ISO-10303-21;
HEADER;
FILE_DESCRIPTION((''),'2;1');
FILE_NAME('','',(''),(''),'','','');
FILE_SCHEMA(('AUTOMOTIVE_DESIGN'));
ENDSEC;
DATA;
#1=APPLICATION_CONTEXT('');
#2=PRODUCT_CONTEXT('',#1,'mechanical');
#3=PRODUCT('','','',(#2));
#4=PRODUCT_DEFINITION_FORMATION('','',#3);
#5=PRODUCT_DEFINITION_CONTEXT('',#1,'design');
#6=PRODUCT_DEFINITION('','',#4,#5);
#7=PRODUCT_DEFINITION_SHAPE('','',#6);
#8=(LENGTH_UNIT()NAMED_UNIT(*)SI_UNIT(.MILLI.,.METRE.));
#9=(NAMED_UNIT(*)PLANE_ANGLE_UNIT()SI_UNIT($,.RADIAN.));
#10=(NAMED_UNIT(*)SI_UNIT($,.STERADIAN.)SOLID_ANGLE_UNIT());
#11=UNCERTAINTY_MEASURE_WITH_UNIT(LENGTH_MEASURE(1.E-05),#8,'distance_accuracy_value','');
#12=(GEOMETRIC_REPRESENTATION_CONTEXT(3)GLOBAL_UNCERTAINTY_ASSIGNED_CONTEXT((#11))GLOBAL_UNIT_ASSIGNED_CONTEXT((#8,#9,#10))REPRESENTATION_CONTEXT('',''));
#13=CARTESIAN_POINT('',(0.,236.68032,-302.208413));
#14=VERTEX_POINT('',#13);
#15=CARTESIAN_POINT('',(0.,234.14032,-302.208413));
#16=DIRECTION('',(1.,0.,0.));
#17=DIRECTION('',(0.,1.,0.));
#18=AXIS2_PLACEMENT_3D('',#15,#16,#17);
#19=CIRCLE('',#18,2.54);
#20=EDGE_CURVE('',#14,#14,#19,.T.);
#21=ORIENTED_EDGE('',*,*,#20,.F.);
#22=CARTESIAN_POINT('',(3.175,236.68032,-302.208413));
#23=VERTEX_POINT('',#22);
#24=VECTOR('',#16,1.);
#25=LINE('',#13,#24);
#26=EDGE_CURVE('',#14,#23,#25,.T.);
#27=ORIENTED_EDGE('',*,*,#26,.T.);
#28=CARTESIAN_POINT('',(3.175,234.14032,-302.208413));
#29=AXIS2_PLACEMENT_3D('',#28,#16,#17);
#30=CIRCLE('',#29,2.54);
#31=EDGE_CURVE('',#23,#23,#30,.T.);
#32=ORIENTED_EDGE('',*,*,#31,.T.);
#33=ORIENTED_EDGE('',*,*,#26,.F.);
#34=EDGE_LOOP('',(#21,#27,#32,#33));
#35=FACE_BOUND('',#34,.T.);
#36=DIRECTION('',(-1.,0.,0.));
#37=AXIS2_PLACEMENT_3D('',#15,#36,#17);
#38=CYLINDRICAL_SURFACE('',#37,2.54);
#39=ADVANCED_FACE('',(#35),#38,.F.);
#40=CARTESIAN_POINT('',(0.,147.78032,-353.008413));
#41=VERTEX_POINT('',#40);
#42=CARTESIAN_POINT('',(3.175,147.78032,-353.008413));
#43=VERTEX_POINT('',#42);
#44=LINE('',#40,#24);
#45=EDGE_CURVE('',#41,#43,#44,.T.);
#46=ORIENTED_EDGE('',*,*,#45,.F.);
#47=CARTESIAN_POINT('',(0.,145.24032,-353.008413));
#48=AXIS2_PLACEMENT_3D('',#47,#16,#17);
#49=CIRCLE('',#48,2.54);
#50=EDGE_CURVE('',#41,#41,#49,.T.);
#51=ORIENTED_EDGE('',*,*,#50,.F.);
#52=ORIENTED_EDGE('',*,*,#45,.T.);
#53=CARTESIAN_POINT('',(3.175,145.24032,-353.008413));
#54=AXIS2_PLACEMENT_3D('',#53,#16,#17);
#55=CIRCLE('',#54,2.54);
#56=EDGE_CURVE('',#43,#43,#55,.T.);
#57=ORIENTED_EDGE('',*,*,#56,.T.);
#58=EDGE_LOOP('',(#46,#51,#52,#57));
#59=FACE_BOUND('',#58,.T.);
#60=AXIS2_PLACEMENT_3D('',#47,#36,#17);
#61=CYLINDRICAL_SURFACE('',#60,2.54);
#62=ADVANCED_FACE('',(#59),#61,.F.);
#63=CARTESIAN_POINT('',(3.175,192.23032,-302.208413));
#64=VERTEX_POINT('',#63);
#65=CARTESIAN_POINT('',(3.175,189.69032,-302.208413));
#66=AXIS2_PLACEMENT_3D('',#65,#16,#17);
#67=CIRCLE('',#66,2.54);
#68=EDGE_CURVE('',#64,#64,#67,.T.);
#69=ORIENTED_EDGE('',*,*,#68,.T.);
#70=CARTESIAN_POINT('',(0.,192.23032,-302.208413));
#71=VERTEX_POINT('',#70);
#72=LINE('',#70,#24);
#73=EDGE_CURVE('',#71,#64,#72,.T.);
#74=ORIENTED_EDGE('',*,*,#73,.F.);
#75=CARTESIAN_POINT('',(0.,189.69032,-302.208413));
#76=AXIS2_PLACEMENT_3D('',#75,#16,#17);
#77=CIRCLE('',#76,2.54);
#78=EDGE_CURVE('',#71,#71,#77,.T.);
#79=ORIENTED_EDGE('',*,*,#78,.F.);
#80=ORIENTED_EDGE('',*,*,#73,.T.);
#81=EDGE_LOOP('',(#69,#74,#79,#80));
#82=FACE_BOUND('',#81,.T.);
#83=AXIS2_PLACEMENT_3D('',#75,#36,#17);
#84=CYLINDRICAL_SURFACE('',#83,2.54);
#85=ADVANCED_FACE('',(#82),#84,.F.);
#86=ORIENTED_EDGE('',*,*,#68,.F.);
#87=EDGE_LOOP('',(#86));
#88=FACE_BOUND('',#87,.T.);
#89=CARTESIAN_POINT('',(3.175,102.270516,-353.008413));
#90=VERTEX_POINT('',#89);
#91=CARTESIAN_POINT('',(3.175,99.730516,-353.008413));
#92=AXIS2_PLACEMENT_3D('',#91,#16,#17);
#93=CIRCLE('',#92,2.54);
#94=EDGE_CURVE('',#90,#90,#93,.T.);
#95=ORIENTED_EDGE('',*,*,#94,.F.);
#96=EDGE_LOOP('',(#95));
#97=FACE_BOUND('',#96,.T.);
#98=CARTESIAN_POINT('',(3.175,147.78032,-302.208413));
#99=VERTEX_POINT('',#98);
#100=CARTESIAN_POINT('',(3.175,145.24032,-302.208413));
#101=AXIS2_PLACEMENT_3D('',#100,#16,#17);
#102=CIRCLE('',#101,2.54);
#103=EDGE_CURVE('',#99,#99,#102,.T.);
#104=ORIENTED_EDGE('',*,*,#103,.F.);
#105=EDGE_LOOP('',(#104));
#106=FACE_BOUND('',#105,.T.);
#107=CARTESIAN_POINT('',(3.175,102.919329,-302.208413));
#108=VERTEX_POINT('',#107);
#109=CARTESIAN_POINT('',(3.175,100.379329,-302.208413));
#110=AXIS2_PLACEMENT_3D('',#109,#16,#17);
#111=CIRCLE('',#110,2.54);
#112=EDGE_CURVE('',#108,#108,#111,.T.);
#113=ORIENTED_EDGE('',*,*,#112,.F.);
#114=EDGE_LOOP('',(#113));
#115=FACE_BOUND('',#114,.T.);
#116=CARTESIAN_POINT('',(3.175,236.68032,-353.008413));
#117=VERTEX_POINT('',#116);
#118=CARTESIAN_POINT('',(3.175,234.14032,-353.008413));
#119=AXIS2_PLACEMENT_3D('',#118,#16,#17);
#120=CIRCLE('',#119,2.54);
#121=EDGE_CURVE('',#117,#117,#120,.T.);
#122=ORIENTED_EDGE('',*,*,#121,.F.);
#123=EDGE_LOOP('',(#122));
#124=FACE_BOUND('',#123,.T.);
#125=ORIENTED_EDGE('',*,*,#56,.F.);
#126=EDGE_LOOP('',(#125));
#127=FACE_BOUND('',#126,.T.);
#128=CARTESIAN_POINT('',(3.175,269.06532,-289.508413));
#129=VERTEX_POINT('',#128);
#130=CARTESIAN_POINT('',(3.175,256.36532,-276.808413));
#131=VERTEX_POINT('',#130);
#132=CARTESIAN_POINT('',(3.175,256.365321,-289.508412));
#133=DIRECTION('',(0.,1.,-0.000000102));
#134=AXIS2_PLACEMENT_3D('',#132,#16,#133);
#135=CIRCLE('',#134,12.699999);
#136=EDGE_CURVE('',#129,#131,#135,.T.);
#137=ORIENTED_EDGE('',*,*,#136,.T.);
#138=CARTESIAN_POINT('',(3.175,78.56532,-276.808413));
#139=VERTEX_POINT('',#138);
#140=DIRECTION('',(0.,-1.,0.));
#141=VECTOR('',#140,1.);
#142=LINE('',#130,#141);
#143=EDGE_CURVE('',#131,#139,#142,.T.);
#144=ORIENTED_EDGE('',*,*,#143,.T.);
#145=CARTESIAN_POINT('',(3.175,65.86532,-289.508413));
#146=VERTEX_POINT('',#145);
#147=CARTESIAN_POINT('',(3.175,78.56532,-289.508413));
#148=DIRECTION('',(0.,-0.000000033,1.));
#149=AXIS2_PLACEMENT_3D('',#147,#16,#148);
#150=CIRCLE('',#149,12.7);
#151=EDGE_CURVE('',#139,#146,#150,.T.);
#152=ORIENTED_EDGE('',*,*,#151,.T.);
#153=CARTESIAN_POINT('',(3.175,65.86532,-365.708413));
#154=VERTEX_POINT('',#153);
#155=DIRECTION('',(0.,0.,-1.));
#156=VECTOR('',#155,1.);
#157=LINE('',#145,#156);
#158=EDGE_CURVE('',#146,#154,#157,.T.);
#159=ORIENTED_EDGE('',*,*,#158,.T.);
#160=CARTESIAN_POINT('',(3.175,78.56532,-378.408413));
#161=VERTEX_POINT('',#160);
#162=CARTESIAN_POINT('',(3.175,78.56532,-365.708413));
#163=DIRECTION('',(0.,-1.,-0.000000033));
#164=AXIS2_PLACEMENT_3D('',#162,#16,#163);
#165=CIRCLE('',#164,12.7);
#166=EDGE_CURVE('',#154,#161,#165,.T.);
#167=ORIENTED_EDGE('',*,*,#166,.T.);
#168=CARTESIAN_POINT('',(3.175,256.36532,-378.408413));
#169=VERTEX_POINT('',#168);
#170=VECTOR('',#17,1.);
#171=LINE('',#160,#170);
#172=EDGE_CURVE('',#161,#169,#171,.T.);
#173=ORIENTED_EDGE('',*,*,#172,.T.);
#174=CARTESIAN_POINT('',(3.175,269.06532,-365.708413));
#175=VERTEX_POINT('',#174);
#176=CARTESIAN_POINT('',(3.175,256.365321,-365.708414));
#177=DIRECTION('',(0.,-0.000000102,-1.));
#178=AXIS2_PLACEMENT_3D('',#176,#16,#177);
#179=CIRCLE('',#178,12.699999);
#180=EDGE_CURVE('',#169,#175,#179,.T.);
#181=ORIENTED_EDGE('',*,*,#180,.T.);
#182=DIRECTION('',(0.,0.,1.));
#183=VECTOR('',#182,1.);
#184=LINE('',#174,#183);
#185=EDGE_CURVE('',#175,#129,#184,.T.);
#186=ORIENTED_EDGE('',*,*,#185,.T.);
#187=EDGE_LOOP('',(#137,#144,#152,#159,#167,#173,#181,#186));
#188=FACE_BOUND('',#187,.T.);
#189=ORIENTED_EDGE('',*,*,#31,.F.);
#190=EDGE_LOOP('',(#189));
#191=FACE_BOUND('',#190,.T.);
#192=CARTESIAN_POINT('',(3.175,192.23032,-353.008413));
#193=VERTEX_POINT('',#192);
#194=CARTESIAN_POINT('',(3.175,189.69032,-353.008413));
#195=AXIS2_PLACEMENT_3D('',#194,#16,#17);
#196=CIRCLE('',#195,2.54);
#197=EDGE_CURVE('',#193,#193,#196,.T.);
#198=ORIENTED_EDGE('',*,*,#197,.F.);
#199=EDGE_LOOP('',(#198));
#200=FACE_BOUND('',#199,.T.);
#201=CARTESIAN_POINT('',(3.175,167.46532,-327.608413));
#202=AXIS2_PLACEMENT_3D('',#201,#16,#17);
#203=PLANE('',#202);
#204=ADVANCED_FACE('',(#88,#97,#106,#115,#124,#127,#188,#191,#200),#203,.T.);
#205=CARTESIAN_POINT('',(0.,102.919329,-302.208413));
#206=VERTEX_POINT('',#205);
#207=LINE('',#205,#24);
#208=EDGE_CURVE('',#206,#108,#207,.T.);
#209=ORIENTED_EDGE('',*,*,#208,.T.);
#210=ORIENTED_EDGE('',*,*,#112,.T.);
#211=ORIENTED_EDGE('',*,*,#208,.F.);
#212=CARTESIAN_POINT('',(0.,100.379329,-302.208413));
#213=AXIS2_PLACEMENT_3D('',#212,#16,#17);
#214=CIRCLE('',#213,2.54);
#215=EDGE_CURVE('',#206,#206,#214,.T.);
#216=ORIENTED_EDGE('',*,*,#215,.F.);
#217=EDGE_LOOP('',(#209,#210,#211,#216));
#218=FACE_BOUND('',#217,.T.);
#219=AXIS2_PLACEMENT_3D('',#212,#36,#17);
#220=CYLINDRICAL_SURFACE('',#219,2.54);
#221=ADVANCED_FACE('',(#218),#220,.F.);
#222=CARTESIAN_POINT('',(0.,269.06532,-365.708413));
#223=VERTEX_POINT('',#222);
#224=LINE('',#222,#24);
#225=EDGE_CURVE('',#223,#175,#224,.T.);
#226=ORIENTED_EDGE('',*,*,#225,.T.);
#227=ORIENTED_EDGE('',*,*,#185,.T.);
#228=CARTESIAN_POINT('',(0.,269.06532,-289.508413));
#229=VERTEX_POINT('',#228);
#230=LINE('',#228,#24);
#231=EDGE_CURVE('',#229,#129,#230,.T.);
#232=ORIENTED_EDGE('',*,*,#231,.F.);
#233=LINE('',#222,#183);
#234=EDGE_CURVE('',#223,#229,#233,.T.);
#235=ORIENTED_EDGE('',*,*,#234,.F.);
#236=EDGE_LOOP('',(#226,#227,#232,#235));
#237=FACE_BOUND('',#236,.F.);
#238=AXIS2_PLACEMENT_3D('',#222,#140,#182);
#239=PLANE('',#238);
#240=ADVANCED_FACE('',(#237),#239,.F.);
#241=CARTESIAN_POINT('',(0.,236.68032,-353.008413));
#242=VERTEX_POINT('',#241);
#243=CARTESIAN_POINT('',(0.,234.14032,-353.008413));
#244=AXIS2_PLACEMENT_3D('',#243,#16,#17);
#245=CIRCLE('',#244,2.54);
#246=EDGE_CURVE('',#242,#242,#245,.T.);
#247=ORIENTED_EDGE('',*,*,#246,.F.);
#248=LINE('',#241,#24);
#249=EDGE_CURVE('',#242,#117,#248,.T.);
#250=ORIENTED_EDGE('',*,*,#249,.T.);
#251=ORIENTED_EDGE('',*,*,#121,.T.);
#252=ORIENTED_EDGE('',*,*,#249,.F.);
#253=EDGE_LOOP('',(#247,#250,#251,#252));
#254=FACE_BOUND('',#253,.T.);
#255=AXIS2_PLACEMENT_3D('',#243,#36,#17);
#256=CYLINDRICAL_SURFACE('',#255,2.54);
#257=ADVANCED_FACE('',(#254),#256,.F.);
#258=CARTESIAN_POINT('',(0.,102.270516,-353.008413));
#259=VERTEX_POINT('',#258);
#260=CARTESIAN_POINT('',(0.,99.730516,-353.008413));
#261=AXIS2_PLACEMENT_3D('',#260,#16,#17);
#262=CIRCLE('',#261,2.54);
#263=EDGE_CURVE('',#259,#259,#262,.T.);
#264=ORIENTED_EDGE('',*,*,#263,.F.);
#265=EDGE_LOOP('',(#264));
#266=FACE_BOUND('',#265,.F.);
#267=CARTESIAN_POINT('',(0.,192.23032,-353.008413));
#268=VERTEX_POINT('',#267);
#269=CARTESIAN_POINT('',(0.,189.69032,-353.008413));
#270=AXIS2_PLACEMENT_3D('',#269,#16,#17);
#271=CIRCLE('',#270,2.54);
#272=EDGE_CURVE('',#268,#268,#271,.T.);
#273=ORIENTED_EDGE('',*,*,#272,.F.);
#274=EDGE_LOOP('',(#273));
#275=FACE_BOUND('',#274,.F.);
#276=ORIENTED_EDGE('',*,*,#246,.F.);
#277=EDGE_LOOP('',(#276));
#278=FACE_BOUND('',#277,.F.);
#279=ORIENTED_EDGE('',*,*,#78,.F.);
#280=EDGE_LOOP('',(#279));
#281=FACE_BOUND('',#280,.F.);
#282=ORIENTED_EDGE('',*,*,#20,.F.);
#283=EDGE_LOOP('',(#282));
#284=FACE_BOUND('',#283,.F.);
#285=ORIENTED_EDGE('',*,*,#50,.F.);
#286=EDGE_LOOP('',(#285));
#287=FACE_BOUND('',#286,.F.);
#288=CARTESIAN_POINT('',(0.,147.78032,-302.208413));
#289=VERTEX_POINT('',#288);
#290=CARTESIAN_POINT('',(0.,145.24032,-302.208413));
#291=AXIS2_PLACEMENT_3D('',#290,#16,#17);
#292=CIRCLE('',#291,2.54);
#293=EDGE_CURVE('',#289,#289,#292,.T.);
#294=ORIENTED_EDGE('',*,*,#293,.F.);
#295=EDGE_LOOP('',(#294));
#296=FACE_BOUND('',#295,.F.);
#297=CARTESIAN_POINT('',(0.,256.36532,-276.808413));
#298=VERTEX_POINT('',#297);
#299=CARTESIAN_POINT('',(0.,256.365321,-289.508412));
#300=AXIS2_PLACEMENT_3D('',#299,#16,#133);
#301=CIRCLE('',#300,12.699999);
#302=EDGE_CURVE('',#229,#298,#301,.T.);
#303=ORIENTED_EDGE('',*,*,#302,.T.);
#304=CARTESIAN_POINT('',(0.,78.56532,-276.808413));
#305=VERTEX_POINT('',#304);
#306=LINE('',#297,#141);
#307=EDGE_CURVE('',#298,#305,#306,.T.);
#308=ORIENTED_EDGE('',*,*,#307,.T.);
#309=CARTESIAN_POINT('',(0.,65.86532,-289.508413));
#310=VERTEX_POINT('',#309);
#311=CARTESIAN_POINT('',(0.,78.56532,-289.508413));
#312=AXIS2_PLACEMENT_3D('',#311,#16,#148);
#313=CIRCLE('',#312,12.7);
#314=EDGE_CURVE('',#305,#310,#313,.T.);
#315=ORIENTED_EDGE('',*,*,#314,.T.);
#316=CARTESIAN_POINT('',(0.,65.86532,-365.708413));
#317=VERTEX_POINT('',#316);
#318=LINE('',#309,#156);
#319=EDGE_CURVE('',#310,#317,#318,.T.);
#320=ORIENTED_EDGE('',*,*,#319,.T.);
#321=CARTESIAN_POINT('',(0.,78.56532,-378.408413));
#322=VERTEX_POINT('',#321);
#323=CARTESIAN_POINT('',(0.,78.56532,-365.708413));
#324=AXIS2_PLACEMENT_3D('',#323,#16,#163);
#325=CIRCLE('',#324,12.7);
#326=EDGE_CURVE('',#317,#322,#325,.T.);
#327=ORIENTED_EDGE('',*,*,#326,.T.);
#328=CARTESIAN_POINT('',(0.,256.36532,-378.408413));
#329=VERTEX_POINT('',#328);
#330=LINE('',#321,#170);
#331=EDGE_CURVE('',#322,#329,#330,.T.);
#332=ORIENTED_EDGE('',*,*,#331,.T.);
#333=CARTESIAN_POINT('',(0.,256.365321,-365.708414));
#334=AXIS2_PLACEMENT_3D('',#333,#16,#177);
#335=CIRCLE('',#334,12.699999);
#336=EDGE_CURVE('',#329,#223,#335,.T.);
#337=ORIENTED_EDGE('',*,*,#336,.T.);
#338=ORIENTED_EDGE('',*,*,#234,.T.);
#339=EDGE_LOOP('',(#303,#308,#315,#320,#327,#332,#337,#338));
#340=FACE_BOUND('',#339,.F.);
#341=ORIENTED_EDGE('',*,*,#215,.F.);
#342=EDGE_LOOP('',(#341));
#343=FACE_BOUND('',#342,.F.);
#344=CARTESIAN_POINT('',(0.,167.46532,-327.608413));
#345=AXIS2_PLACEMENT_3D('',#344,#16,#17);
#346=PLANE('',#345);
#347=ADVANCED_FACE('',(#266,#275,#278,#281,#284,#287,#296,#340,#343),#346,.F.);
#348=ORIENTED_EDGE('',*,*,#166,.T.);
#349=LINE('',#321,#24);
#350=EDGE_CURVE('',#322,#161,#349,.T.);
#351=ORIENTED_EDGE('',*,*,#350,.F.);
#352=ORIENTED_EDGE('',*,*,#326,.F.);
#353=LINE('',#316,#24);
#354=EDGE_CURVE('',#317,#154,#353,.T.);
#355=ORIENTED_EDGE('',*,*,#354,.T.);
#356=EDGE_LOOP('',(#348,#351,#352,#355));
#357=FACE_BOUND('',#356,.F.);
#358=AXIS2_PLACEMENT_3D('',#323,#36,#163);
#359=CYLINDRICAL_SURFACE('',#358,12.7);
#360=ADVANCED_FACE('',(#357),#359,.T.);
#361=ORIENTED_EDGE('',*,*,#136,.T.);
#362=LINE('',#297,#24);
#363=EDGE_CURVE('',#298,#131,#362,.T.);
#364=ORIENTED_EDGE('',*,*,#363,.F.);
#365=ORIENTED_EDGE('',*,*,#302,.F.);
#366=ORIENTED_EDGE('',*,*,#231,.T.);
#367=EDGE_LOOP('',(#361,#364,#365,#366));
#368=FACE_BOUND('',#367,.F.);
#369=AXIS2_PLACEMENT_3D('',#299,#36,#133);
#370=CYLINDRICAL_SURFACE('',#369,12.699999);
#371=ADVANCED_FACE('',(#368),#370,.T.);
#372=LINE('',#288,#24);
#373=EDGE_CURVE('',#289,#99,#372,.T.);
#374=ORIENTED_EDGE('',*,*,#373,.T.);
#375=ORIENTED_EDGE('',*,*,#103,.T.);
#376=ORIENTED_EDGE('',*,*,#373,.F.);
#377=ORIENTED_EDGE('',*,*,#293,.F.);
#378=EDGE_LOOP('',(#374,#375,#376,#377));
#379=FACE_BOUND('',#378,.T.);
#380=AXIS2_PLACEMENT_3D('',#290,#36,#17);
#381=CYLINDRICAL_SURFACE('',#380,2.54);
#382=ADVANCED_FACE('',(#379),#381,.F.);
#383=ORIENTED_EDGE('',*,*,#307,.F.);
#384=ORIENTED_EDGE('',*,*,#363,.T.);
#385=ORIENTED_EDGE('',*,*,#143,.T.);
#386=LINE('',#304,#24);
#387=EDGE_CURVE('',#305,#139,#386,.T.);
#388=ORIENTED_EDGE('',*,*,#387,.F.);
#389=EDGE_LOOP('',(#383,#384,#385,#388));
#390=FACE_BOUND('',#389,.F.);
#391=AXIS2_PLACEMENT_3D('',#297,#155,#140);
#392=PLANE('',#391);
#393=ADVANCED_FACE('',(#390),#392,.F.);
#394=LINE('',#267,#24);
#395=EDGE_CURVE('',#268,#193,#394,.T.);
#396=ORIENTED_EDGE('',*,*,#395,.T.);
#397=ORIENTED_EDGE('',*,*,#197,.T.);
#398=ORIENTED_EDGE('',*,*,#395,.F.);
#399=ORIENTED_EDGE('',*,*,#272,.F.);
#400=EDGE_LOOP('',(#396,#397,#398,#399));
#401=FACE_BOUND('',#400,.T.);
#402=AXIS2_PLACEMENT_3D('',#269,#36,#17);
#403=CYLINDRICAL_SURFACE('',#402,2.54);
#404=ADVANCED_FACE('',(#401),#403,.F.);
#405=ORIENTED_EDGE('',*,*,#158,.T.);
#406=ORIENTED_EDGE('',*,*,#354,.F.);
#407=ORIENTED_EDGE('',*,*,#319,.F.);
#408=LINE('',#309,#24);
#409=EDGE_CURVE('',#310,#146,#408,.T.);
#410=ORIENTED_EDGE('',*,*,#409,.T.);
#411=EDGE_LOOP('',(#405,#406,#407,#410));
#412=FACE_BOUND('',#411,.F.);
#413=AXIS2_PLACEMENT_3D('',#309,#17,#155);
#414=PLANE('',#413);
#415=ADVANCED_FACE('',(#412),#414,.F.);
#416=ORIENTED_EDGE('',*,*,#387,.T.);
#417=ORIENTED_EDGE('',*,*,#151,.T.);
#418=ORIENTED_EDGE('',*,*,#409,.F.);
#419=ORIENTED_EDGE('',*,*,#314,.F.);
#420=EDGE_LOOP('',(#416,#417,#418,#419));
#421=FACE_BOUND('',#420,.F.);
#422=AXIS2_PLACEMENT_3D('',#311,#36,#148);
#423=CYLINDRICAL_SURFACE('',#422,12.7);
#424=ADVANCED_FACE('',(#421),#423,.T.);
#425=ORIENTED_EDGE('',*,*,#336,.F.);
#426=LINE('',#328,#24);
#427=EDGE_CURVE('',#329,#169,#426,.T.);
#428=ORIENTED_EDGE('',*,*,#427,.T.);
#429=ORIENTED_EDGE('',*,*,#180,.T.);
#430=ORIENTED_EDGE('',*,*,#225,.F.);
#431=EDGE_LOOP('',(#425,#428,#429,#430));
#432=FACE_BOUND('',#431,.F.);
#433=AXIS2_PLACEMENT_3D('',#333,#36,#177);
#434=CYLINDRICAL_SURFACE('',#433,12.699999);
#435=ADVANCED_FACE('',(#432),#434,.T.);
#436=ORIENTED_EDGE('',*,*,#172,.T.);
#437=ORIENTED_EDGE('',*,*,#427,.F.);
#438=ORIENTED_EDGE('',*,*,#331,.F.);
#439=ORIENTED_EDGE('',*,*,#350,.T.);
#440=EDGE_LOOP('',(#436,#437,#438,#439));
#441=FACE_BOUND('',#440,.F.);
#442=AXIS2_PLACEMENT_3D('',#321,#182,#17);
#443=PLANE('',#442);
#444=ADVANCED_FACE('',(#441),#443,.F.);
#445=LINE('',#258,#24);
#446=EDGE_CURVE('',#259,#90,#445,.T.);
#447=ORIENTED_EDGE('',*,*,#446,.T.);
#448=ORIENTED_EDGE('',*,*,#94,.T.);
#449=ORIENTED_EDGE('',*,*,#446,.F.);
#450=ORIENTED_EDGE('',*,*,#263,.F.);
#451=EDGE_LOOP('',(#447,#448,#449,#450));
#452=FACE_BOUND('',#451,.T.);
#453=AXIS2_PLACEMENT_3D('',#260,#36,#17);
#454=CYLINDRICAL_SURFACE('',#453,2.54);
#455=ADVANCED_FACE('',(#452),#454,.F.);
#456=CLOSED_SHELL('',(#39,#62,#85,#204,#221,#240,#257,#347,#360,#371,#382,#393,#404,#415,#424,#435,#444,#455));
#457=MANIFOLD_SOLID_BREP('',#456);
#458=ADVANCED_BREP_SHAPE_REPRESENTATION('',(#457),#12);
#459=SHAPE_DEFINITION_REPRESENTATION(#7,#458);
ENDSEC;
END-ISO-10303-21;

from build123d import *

# Parameters (mm, degrees)
F0_R     = 2.54
F1_DEPTH = 3.175


with BuildPart() as f1:
    # F0 (on Right) → F1 (new body)
    with BuildSketch(Plane.YZ):
        with BuildLine():
            Line((256.36532, -276.808413), (78.56532, -276.808413))
            ThreePointArc((78.56532, -276.808413), (69.585064, -280.528157), (65.86532, -289.508413))
            Line((65.86532, -289.508413), (65.86532, -365.708413))
            ThreePointArc((65.86532, -365.708413), (69.585064, -374.688669), (78.56532, -378.408413))
            Line((78.56532, -378.408413), (256.36532, -378.408413))
            ThreePointArc((256.36532, -378.408413), (265.345577, -374.688669), (269.06532, -365.708413))
            Line((269.06532, -365.708413), (269.06532, -289.508413))
            ThreePointArc((269.06532, -289.508413), (265.345577, -280.528157), (256.36532, -276.808413))
        make_face()
        with Locations((99.730516, -353.008413)):
            Circle(F0_R, mode=Mode.SUBTRACT)
        with Locations((145.24032, -353.008413)):
            Circle(F0_R, mode=Mode.SUBTRACT)
        with Locations((189.69032, -353.008413)):
            Circle(F0_R, mode=Mode.SUBTRACT)
        with Locations((234.14032, -353.008413)):
            Circle(F0_R, mode=Mode.SUBTRACT)
        with Locations((100.379329, -302.208413)):
            Circle(F0_R, mode=Mode.SUBTRACT)
        with Locations((145.24032, -302.208413)):
            Circle(F0_R, mode=Mode.SUBTRACT)
        with Locations((189.69032, -302.208413)):
            Circle(F0_R, mode=Mode.SUBTRACT)
        with Locations((234.14032, -302.208413)):
            Circle(F0_R, mode=Mode.SUBTRACT)
    extrude(amount=F1_DEPTH)


solid = f1.part
